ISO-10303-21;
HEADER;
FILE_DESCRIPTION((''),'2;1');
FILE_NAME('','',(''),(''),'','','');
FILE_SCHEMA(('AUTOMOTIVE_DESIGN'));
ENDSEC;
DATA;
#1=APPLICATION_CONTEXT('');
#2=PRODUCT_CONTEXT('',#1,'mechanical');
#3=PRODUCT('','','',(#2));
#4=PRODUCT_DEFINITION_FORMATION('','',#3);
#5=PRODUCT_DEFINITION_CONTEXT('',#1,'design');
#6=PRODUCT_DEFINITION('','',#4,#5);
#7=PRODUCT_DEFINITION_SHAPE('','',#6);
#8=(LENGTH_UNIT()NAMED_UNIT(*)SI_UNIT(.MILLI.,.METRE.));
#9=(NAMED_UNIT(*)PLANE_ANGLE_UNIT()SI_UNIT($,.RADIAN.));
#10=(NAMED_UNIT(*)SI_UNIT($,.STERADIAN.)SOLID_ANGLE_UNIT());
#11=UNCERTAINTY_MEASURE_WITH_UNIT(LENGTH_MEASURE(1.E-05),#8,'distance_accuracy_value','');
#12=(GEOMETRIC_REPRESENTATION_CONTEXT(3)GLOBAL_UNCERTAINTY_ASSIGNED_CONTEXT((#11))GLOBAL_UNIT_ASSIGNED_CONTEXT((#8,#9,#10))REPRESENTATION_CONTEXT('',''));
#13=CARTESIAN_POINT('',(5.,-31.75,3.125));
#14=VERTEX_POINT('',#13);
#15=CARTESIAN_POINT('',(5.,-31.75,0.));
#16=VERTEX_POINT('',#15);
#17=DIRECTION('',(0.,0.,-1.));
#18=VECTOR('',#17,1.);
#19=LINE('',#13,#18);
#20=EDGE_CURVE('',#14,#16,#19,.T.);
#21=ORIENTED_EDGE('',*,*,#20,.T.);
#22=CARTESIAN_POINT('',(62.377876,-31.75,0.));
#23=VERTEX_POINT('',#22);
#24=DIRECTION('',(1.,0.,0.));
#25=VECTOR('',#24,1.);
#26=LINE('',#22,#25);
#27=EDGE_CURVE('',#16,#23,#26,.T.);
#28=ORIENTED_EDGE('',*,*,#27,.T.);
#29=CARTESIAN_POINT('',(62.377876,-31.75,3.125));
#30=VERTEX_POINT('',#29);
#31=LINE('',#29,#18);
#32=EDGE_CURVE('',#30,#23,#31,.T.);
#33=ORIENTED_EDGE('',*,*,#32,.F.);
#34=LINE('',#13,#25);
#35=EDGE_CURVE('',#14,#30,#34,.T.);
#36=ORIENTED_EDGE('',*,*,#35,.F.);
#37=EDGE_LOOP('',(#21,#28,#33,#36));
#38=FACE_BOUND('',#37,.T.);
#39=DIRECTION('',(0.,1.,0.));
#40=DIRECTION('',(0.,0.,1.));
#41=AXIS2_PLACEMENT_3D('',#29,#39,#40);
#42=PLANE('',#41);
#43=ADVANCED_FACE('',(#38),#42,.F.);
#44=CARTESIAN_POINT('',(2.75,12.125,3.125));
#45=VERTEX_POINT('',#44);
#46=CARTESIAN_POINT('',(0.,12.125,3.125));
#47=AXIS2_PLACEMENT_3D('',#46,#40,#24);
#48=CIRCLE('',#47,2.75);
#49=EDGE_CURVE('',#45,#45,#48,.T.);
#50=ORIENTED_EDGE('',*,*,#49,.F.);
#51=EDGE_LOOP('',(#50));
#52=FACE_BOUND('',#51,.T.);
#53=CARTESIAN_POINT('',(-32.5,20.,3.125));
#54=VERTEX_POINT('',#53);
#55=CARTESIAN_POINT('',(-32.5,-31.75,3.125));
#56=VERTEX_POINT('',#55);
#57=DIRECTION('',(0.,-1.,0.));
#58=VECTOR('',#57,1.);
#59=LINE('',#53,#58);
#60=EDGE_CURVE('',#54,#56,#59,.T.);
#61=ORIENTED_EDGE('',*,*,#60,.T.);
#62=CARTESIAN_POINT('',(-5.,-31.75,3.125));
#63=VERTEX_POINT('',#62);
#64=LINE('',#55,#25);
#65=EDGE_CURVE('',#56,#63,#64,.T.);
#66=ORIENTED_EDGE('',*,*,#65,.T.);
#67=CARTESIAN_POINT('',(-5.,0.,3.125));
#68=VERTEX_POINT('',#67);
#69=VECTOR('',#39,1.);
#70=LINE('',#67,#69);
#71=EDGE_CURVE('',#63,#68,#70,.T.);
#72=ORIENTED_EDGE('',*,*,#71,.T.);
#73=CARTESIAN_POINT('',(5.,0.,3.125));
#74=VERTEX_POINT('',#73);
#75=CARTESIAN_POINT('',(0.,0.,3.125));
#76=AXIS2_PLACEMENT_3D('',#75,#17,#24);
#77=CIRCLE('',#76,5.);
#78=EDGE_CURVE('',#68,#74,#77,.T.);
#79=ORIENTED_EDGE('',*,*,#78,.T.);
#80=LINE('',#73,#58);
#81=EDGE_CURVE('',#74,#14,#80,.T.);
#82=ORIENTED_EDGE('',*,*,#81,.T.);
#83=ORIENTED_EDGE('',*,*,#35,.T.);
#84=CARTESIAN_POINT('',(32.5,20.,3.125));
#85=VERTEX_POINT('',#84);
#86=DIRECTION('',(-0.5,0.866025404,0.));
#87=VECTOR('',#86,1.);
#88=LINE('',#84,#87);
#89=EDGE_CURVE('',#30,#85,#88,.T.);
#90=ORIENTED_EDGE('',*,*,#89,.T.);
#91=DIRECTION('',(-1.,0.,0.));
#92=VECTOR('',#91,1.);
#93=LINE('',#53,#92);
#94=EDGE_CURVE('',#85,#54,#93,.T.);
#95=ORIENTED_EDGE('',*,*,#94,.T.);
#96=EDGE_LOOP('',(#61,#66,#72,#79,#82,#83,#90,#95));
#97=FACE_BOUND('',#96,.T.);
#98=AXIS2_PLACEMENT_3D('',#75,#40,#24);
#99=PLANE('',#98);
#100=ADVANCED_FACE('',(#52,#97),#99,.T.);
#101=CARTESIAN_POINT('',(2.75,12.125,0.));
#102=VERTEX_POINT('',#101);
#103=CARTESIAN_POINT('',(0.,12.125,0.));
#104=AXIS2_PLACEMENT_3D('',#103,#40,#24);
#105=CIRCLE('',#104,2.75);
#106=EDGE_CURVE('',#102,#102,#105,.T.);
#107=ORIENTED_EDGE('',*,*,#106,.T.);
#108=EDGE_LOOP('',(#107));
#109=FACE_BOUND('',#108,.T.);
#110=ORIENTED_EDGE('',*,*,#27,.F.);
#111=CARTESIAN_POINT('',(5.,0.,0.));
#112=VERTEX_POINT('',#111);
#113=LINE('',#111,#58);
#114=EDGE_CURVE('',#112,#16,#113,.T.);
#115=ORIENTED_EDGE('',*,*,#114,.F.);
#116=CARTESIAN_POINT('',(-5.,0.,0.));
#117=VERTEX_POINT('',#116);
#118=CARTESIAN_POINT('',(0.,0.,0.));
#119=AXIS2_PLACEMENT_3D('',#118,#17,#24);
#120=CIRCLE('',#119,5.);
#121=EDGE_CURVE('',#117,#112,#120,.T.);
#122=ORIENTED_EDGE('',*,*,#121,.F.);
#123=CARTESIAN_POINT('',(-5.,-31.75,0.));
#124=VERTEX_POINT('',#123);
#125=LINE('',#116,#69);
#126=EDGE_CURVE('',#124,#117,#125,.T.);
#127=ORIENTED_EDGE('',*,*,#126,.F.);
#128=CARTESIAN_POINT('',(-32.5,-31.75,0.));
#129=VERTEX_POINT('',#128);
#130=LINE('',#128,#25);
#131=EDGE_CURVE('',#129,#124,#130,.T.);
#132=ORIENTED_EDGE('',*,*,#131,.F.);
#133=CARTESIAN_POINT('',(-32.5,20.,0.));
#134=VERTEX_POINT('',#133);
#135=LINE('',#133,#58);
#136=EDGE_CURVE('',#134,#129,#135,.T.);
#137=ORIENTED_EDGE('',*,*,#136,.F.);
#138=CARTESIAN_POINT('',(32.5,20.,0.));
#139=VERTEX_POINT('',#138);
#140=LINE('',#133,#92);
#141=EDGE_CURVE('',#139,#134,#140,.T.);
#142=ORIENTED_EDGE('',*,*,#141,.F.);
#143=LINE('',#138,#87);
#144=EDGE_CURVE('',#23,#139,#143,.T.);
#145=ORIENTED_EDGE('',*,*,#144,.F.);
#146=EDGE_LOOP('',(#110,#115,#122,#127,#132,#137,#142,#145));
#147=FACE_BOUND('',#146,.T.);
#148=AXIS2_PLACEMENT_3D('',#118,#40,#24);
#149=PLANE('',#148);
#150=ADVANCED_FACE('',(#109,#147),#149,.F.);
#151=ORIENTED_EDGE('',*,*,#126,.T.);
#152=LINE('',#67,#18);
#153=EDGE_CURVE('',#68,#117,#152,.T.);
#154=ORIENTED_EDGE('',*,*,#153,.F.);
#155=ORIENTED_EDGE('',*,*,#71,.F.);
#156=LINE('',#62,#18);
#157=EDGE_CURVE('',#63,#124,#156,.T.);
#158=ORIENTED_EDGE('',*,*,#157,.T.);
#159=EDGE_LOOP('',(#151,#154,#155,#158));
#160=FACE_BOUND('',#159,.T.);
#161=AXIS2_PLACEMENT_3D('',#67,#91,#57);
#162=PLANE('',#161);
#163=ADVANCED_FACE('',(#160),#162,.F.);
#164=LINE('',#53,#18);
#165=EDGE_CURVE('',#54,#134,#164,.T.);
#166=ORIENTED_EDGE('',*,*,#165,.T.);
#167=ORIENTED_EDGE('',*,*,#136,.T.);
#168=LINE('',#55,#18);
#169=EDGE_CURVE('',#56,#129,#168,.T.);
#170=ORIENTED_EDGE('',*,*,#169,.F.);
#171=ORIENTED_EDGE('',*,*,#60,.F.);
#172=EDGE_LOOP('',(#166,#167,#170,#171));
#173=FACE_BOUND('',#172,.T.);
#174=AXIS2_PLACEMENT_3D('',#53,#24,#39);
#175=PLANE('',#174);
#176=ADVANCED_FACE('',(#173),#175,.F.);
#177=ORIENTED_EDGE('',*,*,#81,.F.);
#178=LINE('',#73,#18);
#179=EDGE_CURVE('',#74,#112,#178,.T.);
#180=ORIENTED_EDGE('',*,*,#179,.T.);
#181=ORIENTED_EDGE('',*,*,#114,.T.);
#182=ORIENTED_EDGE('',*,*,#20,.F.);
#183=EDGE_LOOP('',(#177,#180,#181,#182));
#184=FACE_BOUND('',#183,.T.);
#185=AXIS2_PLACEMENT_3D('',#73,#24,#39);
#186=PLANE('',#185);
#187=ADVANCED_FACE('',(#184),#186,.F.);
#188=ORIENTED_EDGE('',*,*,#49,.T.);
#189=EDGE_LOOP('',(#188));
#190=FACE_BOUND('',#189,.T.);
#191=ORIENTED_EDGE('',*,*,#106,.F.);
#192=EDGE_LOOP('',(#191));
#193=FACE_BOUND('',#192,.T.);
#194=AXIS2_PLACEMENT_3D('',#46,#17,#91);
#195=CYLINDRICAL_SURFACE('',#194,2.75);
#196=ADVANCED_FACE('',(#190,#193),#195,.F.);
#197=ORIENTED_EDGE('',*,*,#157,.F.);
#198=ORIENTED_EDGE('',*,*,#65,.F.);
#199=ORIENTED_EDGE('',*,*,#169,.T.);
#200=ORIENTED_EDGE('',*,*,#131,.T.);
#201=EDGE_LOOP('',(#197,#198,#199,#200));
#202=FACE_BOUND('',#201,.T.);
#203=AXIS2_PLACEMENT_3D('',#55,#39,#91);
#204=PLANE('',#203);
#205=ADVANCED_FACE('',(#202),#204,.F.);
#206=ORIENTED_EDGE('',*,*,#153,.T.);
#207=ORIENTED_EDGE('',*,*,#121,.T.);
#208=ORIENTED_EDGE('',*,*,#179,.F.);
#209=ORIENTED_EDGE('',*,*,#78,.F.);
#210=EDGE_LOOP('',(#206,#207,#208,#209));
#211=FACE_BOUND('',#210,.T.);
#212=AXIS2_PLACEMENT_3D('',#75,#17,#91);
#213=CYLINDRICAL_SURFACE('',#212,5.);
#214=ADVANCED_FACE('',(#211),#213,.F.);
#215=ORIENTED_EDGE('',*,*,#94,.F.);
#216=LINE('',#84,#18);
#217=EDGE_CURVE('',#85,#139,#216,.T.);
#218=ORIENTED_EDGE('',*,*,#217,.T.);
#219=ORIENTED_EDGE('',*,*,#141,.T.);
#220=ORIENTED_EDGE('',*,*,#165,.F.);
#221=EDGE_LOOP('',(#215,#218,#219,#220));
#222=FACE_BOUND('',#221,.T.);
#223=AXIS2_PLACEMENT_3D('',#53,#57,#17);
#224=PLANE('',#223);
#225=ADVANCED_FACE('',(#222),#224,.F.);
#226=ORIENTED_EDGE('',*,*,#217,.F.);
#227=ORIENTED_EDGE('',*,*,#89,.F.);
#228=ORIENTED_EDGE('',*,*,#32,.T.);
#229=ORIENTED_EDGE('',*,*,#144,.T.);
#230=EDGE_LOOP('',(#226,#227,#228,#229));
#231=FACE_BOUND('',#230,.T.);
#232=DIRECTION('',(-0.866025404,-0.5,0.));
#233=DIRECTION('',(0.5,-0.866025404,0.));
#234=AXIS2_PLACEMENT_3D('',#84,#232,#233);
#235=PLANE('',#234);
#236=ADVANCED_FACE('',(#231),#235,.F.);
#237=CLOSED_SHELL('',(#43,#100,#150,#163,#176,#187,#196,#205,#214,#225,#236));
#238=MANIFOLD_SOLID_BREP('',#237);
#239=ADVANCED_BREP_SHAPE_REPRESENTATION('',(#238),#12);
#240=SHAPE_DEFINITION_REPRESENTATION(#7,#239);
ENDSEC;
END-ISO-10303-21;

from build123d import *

# Parameters (mm, degrees)
SKETCH1_R           = 2.75
BOSS_EXTRUDE1_DEPTH = 3.125


with BuildPart() as part:
    # Sketch1 → Boss-Extrude1 (new body)
    with BuildSketch(Plane.XY):
        with BuildLine():
            Line((-32.5, 20), (32.5, 20))
            Line((32.5, 20), (62.377876431, -31.75))
            Line((62.377876431, -31.75), (32.5, -31.75))
            Line((32.5, -31.75), (5, -31.75))
            Line((5, -31.75), (5, 0))
            ThreePointArc((5, 0), (0, 5), (-5, 0))
            Line((-5, 0), (-5, -31.75))
            Line((-5, -31.75), (-32.5, -31.75))
            Line((-32.5, -31.75), (-32.5, 20))
        make_face()
        with Locations((0, 12.125)):
            Circle(SKETCH1_R, mode=Mode.SUBTRACT)
    extrude(amount=BOSS_EXTRUDE1_DEPTH)


solid = part.part
